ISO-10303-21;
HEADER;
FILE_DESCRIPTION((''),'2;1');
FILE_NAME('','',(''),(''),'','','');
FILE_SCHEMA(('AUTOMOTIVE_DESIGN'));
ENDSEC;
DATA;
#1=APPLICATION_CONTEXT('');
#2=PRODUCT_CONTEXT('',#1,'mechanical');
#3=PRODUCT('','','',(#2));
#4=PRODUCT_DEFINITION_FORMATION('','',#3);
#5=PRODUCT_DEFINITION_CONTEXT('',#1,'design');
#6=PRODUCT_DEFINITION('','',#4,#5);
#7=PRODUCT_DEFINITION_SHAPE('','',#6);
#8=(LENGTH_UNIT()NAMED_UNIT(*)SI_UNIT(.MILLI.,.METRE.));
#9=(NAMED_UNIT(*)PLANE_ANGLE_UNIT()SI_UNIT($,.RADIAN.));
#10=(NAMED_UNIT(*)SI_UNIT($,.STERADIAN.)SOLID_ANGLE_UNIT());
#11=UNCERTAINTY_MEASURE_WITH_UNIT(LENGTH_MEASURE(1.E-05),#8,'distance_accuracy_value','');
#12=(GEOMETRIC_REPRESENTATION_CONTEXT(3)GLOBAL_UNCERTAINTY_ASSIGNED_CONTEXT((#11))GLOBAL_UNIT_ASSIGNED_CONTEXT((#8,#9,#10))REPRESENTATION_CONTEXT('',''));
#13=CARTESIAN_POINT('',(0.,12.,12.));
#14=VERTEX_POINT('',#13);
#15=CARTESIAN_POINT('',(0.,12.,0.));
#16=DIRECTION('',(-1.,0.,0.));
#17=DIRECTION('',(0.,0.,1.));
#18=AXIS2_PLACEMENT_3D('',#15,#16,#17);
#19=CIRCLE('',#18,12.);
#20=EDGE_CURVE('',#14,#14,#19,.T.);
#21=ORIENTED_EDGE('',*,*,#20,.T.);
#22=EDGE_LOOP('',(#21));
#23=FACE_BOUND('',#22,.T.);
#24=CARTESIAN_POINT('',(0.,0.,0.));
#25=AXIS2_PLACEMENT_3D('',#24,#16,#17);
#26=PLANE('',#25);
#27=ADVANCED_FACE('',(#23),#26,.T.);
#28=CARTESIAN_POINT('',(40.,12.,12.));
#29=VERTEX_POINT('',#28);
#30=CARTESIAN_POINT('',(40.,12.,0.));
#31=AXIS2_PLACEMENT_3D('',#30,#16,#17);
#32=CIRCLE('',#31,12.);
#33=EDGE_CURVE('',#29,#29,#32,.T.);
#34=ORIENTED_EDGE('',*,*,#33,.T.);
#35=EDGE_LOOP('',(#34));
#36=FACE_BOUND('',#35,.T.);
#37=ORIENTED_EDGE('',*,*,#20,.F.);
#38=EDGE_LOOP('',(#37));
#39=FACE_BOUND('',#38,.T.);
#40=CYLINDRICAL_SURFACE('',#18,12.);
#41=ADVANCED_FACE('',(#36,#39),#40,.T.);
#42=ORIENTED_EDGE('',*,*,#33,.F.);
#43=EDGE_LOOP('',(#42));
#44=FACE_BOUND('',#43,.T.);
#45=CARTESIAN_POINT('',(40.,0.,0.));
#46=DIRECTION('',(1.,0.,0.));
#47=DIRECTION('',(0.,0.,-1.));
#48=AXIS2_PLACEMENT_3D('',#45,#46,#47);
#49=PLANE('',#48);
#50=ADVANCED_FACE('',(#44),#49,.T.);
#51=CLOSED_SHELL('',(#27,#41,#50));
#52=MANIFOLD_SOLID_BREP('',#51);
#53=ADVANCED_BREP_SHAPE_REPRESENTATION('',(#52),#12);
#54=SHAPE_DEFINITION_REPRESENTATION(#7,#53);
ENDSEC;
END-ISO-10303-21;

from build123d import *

# Parameters (mm, degrees)
SCHIZZO1_W = 40
SCHIZZO1_H = 12


with BuildPart() as part:
    # Schizzo1 → Rivoluzione1 (revolve)
    with BuildSketch(Plane.XY):
        with Locations((20, 6)):
            Rectangle(SCHIZZO1_W, SCHIZZO1_H)
    revolve(axis=Axis((0, 12, 0), (1, 0, 0)))


solid = part.part
